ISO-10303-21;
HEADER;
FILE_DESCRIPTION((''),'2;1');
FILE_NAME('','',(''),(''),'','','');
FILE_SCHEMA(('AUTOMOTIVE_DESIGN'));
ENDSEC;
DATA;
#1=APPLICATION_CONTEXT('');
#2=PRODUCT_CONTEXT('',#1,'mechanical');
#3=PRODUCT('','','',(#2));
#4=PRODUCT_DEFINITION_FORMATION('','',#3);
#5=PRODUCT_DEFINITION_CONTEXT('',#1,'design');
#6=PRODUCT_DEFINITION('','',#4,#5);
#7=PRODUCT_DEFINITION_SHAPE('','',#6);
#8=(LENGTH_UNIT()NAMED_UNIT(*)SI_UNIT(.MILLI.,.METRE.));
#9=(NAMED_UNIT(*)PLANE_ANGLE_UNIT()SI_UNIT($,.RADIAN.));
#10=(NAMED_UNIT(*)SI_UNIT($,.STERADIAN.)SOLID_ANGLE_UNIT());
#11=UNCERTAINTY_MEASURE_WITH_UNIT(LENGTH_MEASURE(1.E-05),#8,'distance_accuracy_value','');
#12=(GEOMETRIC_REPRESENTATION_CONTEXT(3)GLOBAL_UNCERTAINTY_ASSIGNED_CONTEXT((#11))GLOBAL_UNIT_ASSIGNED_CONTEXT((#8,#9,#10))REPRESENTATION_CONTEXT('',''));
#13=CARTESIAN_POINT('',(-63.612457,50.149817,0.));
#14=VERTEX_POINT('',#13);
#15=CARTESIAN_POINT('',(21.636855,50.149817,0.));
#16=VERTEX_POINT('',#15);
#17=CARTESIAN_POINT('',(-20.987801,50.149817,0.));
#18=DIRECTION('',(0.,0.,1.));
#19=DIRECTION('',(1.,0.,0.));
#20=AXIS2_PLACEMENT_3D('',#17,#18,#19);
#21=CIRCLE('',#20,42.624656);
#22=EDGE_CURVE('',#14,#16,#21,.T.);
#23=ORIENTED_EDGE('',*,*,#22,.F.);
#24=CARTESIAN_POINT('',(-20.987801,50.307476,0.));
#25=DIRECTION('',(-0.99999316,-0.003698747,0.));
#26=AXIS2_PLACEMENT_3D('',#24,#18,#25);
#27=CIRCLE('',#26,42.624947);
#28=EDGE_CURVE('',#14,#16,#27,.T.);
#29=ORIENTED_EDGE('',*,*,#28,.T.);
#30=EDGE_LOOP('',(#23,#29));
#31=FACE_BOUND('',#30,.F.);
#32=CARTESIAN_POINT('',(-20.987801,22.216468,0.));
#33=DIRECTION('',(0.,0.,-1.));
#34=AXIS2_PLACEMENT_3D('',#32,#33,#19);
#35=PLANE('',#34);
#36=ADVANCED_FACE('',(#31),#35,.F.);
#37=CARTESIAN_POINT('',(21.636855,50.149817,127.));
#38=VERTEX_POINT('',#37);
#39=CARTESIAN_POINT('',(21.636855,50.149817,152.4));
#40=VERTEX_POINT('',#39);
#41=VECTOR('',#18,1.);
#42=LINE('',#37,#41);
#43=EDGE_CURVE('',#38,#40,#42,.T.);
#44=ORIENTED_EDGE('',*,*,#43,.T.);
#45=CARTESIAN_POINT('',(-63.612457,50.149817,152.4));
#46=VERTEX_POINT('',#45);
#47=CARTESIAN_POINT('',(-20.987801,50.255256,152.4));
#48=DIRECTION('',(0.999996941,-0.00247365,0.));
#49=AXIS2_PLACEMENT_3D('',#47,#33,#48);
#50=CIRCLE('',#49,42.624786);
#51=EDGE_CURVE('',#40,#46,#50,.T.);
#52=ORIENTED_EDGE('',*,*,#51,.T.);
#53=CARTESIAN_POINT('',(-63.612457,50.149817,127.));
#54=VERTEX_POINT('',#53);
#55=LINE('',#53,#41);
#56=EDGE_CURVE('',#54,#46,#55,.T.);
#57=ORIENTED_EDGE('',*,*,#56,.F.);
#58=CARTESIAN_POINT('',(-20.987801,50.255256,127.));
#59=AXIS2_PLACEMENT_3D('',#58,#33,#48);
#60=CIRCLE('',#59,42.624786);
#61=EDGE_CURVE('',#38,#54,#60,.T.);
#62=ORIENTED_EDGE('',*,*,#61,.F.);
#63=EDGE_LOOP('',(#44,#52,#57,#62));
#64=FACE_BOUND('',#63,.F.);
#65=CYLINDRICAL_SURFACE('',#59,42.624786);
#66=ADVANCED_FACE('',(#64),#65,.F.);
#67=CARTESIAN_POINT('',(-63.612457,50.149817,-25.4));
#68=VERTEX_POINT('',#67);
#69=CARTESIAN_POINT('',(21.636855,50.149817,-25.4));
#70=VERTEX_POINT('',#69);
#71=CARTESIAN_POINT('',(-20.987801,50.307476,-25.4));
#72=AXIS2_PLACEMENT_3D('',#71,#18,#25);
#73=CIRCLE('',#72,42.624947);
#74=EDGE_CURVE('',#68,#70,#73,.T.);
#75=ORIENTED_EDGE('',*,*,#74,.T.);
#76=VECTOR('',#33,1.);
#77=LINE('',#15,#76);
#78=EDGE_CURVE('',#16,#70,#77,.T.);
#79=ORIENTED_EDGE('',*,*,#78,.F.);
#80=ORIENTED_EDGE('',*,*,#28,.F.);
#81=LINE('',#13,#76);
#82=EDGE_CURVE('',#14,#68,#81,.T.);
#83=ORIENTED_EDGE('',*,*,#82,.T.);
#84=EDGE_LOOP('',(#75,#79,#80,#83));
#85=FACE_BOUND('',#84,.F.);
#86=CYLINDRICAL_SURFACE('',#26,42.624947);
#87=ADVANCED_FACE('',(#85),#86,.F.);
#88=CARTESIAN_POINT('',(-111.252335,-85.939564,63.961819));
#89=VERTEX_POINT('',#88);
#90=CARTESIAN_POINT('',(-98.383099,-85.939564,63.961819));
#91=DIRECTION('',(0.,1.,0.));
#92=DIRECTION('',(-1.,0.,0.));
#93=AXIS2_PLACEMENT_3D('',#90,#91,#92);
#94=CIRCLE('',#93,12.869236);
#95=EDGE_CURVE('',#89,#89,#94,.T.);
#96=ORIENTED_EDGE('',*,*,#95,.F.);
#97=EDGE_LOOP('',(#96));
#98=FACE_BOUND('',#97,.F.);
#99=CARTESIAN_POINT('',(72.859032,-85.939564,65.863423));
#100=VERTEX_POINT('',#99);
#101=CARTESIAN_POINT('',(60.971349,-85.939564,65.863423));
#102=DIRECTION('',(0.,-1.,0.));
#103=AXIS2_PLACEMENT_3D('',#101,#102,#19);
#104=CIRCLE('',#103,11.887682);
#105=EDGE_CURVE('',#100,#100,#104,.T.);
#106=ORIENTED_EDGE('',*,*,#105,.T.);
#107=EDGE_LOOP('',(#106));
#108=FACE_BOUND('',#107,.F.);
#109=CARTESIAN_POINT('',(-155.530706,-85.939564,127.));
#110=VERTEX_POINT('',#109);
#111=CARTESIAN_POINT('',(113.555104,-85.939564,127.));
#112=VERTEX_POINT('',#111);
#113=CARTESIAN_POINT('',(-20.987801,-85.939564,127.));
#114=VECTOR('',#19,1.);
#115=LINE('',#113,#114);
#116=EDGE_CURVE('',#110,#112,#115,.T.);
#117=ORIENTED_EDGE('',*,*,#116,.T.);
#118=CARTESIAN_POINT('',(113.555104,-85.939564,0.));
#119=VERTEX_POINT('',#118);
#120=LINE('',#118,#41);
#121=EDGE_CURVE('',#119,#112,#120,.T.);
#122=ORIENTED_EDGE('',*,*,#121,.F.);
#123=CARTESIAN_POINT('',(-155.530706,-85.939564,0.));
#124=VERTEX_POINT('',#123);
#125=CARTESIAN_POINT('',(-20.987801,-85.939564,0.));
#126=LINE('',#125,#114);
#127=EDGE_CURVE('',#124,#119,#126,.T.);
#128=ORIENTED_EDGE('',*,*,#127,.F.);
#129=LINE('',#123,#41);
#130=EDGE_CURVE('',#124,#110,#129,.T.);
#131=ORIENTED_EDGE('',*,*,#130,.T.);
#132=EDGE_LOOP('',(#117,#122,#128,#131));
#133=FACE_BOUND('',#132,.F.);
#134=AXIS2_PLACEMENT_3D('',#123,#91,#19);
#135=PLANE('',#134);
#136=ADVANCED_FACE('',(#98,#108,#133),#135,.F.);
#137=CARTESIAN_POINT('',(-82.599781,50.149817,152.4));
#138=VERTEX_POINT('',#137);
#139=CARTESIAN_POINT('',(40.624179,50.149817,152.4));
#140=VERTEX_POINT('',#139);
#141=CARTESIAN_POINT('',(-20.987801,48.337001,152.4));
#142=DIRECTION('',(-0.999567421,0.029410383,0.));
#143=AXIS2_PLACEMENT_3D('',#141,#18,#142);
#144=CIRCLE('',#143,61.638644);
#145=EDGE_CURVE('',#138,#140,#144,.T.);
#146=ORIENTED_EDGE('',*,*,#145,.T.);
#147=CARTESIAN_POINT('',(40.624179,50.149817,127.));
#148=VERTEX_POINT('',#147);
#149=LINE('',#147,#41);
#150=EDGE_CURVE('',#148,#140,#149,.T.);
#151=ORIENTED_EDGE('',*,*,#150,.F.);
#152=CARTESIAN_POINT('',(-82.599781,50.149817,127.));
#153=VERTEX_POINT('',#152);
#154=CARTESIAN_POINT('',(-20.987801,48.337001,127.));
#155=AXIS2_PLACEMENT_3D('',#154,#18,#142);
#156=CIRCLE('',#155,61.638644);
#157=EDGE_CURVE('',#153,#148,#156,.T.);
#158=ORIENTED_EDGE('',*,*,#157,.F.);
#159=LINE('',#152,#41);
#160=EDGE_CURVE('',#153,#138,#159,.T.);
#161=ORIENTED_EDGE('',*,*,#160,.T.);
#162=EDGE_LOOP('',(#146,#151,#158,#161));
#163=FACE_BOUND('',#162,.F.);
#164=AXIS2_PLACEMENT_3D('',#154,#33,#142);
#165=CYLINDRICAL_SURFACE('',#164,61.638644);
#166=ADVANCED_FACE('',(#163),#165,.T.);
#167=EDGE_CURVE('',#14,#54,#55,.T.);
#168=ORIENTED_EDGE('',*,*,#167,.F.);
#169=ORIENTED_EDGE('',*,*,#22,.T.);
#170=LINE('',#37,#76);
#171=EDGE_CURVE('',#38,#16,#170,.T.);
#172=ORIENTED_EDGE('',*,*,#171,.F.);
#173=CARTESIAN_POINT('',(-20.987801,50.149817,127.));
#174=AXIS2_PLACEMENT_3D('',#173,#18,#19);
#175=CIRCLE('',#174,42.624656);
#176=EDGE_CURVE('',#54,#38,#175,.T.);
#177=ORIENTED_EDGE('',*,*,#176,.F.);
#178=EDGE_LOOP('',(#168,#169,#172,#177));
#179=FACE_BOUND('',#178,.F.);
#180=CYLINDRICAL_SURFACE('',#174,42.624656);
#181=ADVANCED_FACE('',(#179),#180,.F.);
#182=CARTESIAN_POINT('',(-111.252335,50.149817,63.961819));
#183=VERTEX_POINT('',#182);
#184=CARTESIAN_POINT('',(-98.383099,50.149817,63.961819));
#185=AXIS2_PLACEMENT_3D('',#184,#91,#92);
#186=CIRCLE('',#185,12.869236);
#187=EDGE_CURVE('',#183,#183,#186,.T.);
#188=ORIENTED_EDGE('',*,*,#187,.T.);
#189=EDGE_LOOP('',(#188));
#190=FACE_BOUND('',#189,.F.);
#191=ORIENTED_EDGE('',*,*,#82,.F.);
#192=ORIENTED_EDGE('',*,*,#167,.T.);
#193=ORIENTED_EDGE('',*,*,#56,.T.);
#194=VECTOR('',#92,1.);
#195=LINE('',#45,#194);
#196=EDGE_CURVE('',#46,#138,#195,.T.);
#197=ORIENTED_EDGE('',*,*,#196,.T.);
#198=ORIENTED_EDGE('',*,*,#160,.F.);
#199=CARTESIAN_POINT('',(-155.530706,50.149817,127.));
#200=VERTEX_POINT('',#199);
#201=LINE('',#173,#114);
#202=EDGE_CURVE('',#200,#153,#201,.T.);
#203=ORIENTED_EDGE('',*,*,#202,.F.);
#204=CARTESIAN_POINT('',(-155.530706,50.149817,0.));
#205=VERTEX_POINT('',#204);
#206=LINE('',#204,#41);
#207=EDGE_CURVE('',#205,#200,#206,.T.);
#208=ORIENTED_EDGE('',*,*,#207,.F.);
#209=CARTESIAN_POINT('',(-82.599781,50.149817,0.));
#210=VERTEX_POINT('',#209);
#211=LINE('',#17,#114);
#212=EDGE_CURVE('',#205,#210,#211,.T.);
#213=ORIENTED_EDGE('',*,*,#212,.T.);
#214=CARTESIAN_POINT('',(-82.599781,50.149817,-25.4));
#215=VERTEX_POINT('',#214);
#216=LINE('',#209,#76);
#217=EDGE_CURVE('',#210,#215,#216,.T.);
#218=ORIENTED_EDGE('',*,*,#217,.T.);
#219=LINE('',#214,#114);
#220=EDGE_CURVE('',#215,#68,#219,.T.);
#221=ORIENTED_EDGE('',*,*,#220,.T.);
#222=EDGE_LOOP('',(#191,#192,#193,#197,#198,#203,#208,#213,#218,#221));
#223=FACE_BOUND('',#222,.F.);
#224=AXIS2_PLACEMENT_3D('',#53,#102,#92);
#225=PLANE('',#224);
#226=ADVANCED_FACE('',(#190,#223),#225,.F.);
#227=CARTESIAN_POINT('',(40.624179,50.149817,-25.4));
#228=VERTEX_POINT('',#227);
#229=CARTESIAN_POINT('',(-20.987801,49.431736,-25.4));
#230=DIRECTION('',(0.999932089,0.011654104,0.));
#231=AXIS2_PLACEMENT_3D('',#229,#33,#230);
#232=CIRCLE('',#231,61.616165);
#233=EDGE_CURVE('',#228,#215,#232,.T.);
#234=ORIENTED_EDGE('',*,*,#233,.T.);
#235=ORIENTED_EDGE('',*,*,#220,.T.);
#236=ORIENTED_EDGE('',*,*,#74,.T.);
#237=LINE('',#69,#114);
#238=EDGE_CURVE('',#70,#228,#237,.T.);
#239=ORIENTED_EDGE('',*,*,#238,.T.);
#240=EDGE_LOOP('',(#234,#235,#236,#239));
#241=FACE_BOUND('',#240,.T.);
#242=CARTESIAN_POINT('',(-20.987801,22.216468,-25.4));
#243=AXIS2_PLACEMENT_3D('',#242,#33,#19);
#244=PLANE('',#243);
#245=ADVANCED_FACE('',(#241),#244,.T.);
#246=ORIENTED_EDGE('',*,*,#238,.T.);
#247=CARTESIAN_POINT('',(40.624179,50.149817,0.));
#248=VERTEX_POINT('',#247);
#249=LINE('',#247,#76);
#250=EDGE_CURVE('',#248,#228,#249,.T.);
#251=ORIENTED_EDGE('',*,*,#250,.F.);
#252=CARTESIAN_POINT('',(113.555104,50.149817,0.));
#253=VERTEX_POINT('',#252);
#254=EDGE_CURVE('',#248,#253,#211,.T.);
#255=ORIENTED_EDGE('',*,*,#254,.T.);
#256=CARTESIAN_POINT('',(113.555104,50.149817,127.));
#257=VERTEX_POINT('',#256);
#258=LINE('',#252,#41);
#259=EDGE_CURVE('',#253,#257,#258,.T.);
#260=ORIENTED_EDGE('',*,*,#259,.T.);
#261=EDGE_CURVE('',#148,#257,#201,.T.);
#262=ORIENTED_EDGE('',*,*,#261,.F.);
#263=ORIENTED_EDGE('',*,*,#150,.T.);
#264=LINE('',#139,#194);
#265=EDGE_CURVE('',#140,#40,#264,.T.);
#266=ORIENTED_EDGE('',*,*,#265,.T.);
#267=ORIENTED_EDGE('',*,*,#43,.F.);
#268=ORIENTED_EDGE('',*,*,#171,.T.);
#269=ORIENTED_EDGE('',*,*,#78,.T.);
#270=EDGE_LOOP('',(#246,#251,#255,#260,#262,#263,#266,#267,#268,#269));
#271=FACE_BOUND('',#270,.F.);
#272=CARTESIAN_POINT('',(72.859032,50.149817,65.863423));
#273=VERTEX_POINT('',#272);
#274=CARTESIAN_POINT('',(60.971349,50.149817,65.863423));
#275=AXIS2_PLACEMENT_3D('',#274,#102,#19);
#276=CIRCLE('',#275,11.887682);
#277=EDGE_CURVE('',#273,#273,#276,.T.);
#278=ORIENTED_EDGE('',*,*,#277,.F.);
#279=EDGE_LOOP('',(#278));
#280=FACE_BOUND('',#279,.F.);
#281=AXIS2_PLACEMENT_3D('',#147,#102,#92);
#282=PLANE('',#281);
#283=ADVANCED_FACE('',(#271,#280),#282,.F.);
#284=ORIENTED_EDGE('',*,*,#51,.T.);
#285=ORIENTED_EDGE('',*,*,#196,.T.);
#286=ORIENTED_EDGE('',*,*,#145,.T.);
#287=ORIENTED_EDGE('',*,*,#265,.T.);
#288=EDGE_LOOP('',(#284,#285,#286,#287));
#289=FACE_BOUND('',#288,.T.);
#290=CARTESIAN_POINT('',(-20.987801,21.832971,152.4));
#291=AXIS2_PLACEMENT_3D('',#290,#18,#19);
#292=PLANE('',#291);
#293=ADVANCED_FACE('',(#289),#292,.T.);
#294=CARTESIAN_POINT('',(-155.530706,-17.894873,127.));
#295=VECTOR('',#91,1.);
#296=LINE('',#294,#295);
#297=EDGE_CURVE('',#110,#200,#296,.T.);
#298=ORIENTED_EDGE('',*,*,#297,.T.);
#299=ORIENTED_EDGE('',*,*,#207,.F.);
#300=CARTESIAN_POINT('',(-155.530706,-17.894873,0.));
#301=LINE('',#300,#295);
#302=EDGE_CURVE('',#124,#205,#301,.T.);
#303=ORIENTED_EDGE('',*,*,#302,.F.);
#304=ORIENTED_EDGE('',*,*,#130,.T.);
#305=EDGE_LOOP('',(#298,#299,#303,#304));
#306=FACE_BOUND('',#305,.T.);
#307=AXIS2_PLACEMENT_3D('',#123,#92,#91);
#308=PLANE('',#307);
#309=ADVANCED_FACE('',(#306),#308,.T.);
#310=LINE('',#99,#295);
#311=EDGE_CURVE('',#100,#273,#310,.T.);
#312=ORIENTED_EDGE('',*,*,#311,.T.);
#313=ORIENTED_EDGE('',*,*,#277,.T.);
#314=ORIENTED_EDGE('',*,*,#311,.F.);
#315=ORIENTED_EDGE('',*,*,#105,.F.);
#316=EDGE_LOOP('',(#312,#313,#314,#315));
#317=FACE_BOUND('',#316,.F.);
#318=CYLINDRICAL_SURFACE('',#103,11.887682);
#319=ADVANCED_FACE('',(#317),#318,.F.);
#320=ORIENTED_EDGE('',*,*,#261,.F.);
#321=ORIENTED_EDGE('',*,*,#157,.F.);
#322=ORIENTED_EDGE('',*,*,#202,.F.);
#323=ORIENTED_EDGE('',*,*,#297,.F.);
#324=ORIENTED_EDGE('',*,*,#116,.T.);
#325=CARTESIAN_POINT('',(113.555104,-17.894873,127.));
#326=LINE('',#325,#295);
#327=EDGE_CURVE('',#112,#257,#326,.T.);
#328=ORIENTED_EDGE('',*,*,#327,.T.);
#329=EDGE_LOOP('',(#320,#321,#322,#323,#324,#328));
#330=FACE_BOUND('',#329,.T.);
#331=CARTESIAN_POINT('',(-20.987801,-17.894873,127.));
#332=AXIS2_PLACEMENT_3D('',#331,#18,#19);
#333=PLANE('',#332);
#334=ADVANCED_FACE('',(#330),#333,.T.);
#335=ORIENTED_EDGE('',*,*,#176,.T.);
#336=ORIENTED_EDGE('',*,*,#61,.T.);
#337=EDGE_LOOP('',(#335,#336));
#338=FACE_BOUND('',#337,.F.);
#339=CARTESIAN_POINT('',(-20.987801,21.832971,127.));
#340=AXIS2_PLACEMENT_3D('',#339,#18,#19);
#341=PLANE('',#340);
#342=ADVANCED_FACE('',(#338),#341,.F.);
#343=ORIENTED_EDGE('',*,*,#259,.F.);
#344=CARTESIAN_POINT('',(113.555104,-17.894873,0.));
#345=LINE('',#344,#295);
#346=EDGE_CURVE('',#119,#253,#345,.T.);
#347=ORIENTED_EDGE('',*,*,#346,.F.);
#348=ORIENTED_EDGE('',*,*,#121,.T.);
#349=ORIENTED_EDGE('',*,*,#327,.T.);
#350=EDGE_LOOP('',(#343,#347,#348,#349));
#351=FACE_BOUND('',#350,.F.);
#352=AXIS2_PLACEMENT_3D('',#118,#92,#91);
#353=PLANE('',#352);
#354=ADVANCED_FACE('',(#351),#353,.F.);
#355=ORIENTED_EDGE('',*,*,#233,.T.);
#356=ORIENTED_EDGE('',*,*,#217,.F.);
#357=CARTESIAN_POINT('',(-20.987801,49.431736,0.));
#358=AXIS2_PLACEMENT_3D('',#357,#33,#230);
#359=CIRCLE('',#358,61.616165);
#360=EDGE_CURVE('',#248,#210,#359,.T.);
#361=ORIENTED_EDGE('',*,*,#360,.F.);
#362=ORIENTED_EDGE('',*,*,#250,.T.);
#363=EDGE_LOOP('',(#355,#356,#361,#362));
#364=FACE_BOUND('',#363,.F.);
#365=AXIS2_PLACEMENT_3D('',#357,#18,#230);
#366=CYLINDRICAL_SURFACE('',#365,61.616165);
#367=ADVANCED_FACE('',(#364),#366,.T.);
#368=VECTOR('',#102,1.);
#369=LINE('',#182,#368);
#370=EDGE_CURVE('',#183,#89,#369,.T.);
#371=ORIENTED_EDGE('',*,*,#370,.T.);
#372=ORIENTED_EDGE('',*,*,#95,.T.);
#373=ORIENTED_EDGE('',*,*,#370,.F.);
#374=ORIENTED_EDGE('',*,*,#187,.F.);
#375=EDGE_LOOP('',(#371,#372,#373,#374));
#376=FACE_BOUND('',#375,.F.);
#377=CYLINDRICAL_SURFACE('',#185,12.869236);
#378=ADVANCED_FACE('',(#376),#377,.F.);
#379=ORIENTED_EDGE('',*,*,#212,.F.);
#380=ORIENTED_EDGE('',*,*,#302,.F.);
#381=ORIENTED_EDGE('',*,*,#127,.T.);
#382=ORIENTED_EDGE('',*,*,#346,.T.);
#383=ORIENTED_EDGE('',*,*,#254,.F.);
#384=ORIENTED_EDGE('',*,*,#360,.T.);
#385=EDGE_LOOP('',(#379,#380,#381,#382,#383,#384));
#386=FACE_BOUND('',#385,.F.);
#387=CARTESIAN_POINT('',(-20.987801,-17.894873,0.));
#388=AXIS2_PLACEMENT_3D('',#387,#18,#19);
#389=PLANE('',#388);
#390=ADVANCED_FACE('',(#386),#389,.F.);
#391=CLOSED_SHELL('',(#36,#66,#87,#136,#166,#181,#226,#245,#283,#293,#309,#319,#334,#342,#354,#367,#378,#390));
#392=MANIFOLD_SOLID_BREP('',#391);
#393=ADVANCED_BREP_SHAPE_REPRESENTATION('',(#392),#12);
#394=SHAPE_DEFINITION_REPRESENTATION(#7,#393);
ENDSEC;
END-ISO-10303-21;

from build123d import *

# Parameters (mm, degrees)
F0_W      = 269.0858095884
F0_H      = 136.0893808305
F1_DEPTH  = 127
F2_R      = 42.6246558772
F3_DEPTH  = 127.001
F5_DEPTH  = 25.4
F7_DEPTH  = 25.4
F8_R      = 12.8692359505
F9_DEPTH  = 136.0903808305
F10_R     = 11.8876823155
F11_DEPTH = 136.0903808305


with BuildPart() as f1:
    # F0 (on Top) → F1 (new body)
    with BuildSketch(Plane.XY):
        with Locations((-20.9878012538, -17.8948733956)):
            Rectangle(F0_W, F0_H)
    extrude(amount=F1_DEPTH)

    # F2 (on face) → F3 (cut, through all)
    with BuildSketch(Plane.XY.offset(127)):
        with Locations((-20.9878012538, 50.1498170197)):
            Circle(F2_R)
    extrude(amount=-F3_DEPTH, mode=Mode.SUBTRACT)

    # F4 (on face) → F5 (join)
    with BuildSketch(Plane(origin=(0, 0, 0), x_dir=(1, 0, 0), z_dir=(0, 0, -1))):
        with BuildLine():
            Line((21.6368546234, -50.1498170197), (40.624178946, -50.1498170197))
            ThreePointArc((40.624178946, -50.1498170197), (-20.9878012538, 12.1844288341), (-82.5997814536, -50.1498170197))
            Line((-82.5997814536, -50.1498170197), (-63.612457131, -50.1498170197))
            ThreePointArc((-63.612457131, -50.1498170197), (-20.9878012538, -7.6825284563), (21.6368546234, -50.1498170197))
        make_face()
    extrude(amount=F5_DEPTH)

    # F6 (on face) → F7 (join)
    with BuildSketch(Plane.XY.offset(127)):
        with BuildLine():
            ThreePointArc((21.6368546234, 50.1498170197), (-20.9878012538, 7.6304695536), (-63.612457131, 50.1498170197))
            Line((-63.612457131, 50.1498170197), (-82.5997814536, 50.1498170197))
            ThreePointArc((-82.5997814536, 50.1498170197), (-20.9878012538, -13.3016428499), (40.624178946, 50.1498170197))
            Line((40.624178946, 50.1498170197), (21.6368546234, 50.1498170197))
        make_face()
    extrude(amount=F7_DEPTH)

    # F8 (on face) → F9 (cut, through all)
    with BuildSketch(Plane(origin=(0, 50.1498170197, 0), x_dir=(-1, 0, 0), z_dir=(0, 1, 0))):
        with Locations((98.3830988407, 63.9618188143)):
            Circle(F8_R)
    extrude(amount=-F9_DEPTH, mode=Mode.SUBTRACT)

    # F10 (on face) → F11 (cut, through all)
    with BuildSketch(Plane.XZ.offset(85.9395638108)):
        with Locations((60.9713494778, 65.8634230494)):
            Circle(F10_R)
    extrude(amount=-F11_DEPTH, mode=Mode.SUBTRACT)


solid = f1.part
